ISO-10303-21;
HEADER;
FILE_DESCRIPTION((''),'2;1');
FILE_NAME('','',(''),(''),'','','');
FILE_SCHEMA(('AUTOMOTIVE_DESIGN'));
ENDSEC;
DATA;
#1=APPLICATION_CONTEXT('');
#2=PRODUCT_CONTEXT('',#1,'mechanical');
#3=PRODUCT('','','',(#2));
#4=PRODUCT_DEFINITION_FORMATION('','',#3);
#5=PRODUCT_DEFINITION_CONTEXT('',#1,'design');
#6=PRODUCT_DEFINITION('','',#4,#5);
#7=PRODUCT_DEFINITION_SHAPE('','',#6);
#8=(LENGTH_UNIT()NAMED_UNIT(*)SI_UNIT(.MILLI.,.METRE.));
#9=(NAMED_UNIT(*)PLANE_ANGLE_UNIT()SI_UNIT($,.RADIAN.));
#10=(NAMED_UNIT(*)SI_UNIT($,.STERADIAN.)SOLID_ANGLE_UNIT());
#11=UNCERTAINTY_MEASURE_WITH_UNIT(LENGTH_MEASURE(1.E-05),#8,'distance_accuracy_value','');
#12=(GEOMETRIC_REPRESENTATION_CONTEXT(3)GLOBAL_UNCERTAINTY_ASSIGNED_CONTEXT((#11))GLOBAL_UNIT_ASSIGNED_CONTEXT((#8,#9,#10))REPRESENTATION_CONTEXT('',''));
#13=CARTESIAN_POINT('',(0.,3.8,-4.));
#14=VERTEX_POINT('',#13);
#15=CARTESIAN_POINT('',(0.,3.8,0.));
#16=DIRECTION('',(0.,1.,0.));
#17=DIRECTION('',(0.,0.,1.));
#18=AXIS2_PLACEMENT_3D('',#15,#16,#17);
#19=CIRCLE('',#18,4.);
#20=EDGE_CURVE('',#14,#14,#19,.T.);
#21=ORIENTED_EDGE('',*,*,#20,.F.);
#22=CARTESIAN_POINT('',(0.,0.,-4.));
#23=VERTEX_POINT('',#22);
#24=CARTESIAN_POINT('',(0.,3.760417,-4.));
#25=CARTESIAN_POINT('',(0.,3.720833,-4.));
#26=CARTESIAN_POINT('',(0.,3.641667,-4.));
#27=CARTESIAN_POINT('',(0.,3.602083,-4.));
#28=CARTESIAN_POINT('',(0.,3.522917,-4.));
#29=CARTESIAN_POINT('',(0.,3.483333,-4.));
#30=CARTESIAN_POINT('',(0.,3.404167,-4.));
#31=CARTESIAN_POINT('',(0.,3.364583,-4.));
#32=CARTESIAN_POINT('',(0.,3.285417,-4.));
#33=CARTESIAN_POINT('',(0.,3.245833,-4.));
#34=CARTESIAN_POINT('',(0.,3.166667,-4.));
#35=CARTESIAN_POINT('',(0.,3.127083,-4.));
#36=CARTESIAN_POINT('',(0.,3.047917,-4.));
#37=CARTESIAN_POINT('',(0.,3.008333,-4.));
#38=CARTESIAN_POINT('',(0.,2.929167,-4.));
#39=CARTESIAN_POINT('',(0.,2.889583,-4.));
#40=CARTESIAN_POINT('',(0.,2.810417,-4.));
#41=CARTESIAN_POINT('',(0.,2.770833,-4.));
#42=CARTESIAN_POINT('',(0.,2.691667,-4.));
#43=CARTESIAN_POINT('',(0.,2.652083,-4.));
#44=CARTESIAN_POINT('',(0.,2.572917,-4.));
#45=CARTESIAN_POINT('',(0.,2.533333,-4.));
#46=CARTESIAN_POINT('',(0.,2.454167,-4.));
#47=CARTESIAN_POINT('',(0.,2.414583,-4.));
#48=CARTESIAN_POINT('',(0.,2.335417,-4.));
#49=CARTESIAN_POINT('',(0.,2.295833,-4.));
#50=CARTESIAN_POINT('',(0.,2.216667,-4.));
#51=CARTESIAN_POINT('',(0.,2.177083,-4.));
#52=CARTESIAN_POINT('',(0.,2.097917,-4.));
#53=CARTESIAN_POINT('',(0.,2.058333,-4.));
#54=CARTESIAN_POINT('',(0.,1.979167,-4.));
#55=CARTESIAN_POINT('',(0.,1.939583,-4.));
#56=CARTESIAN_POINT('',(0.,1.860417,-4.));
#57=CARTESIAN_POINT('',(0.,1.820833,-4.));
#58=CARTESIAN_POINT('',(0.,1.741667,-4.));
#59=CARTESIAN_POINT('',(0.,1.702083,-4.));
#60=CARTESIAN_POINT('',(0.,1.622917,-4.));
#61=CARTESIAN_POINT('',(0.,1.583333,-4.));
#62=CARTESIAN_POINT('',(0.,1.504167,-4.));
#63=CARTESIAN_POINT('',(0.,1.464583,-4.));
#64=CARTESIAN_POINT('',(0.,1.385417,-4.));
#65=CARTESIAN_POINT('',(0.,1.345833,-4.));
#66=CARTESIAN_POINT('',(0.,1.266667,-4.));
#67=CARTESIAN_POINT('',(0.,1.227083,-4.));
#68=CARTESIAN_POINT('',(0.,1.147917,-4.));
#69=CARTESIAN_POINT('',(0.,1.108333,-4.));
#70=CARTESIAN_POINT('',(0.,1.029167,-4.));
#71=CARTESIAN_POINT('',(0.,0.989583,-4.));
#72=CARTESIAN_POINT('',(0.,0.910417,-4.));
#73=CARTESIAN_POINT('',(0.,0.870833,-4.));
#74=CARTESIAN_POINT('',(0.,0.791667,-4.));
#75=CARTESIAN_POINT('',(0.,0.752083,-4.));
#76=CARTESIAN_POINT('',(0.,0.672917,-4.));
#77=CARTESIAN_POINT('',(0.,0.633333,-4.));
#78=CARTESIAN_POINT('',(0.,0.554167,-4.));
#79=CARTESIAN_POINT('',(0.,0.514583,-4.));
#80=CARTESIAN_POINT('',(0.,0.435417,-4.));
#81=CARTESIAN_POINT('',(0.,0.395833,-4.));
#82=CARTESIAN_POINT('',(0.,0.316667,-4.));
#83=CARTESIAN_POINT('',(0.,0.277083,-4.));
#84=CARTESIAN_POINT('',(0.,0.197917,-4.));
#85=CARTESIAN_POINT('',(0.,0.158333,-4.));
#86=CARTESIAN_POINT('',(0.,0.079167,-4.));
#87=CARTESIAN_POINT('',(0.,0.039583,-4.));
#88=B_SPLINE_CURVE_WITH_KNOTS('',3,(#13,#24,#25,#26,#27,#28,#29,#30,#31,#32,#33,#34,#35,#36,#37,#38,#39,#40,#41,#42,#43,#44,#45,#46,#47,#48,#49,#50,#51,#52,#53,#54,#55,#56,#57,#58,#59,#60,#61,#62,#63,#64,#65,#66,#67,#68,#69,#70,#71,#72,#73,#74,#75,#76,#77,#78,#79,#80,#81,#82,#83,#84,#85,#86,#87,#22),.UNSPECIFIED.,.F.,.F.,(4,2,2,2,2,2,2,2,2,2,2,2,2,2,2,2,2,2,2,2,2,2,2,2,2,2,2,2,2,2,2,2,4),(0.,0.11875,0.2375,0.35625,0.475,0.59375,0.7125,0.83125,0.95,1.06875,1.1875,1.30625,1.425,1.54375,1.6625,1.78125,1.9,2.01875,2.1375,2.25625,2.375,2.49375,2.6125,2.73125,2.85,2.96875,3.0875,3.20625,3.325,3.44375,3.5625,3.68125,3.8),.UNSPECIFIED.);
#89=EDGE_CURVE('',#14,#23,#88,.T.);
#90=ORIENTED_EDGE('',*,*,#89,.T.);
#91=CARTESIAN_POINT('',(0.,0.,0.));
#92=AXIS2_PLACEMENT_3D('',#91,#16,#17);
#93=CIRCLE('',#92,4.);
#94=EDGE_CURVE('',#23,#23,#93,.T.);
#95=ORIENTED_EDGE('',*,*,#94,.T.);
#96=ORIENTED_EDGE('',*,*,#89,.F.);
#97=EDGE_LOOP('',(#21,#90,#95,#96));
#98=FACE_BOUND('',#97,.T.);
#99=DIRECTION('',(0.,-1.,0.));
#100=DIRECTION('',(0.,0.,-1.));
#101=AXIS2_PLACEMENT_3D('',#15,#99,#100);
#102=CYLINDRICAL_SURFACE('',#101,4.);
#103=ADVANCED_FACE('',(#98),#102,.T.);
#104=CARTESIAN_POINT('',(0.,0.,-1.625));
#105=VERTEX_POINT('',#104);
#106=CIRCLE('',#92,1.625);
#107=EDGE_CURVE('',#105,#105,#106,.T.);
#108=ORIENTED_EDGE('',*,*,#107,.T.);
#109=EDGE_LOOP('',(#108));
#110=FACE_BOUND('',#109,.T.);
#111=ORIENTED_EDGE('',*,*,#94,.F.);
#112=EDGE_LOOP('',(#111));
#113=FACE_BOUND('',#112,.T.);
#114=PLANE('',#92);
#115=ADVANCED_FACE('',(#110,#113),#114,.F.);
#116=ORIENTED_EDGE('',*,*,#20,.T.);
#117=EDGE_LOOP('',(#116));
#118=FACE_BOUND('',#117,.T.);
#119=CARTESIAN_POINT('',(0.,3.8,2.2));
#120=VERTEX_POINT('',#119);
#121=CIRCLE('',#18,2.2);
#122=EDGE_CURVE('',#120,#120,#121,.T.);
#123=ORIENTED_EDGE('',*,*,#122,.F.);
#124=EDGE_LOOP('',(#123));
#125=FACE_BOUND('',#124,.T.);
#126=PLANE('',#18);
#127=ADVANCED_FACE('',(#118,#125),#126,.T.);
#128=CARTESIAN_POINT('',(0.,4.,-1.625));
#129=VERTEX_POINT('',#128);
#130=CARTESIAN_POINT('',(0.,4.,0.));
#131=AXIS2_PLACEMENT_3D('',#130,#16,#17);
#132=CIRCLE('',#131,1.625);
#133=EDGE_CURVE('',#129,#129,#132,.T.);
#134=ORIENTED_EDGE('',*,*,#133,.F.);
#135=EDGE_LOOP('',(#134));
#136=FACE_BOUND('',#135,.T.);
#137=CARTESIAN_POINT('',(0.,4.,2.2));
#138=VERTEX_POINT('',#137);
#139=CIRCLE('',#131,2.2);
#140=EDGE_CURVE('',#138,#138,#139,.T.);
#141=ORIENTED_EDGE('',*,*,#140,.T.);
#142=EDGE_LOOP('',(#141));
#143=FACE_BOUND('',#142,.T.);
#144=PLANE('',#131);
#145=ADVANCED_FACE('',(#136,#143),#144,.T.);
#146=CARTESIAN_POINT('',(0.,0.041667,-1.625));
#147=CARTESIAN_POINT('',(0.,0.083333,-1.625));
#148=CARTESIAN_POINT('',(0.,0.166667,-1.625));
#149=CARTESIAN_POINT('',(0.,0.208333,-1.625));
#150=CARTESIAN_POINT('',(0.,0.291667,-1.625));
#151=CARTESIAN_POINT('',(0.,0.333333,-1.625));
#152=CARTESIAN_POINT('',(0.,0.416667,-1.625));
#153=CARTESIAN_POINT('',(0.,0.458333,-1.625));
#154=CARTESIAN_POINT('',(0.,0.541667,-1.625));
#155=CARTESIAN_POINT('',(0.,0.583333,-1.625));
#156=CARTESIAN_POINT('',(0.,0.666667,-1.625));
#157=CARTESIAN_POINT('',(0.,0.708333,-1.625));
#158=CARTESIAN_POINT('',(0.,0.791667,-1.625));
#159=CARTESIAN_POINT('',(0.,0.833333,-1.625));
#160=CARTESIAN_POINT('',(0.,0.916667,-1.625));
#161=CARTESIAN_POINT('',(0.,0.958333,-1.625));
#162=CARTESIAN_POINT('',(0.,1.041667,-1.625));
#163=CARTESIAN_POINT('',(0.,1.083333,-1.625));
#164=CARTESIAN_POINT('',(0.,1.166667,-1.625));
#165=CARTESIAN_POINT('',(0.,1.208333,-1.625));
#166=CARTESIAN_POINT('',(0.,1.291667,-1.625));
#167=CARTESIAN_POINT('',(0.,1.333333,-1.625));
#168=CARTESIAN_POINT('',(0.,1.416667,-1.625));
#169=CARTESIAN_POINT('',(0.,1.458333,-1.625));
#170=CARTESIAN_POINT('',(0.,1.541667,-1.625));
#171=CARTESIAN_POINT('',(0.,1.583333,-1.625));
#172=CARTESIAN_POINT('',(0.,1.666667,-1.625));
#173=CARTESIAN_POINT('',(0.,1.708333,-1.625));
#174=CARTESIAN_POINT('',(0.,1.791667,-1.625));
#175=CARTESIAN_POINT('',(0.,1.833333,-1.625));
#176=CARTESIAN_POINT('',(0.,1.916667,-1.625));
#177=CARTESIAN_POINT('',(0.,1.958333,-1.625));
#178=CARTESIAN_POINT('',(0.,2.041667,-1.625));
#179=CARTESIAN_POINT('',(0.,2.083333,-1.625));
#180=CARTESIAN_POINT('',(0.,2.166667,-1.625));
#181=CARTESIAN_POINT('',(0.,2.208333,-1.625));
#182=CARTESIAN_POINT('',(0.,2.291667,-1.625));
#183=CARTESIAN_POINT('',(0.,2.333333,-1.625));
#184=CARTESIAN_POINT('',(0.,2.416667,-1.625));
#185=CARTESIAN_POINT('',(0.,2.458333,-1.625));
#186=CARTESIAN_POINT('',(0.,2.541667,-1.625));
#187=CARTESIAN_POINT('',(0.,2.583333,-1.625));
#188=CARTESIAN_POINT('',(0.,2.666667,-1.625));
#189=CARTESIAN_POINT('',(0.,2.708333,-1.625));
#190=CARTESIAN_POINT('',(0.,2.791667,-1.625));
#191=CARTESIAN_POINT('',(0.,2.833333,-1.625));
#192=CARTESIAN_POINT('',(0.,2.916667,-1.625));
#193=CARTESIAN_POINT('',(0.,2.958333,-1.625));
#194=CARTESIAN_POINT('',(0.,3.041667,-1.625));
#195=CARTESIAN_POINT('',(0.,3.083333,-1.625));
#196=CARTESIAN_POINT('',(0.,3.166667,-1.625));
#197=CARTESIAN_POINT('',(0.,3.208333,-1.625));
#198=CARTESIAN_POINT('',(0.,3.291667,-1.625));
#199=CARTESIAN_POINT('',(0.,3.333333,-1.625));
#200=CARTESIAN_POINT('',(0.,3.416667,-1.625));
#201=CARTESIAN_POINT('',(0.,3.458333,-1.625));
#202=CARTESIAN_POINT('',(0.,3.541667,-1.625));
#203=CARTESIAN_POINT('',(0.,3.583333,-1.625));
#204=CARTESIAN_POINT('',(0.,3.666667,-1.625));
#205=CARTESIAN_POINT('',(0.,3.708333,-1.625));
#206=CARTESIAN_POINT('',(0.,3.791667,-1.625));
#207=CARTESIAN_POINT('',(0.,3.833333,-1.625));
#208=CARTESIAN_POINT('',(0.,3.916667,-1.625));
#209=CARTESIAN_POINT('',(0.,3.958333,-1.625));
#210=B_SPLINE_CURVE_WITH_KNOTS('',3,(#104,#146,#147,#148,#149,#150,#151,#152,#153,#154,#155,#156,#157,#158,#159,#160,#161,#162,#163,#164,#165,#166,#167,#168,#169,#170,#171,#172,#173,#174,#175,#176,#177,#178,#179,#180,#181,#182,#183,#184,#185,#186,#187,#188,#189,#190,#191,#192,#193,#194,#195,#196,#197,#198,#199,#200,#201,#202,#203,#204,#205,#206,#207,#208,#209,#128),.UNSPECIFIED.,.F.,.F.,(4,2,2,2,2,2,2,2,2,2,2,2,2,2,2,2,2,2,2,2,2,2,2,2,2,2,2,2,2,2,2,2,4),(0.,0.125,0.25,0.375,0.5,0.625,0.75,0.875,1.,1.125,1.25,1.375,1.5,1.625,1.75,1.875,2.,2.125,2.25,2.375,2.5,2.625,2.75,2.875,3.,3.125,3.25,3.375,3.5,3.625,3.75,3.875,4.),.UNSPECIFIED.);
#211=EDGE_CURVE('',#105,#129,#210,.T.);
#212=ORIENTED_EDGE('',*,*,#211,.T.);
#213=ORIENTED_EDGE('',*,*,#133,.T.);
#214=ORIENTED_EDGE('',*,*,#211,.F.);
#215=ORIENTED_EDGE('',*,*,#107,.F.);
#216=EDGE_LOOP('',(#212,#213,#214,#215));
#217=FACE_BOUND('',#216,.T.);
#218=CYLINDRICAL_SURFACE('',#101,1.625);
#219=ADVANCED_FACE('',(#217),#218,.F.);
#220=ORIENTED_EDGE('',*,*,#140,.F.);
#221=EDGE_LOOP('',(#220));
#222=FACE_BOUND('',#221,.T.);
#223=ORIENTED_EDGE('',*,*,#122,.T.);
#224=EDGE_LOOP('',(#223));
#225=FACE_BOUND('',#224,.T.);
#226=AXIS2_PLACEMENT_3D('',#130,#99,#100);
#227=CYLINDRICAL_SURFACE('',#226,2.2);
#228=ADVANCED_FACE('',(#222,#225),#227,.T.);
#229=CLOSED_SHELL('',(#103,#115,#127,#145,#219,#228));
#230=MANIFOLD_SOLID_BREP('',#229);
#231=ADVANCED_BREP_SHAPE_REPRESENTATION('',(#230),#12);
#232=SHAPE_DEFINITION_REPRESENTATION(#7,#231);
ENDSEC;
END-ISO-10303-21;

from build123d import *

# Parameters (mm, degrees)
CROQUIS1_R              = 4
CROQUIS1_R_2            = 1.625
SALIENTE_EXTRUIR1_DEPTH = 3.8
CROQUIS2_R              = 2.2
CROQUIS2_R_2            = 1.625
SALIENTE_EXTRUIR2_DEPTH = 0.2


with BuildPart() as part:
    # Croquis1 → Saliente-Extruir1 (new body)
    with BuildSketch(Plane(origin=(0, 0, 0), x_dir=(1, 0, 0), z_dir=(0, 1, 0))):
        with Locations(Location((0, 0, 0), (0, 0, 90))):
            Circle(CROQUIS1_R)
        with Locations(Location((0, 0, 0), (0, 0, 90))):
            Circle(CROQUIS1_R_2, mode=Mode.SUBTRACT)
    extrude(amount=SALIENTE_EXTRUIR1_DEPTH)

    # Croquis2 → Saliente-Extruir2 (add)
    with BuildSketch(Plane(origin=(0, 3.8, 0), x_dir=(1, 0, 0), z_dir=(0, 1, 0))):
        with Locations(Location((0, 0, 0), (0, 0, 270))):
            Circle(CROQUIS2_R)
        with Locations(Location((0, 0, 0), (0, 0, 90))):
            Circle(CROQUIS2_R_2, mode=Mode.SUBTRACT)
    extrude(amount=SALIENTE_EXTRUIR2_DEPTH)


solid = part.part
